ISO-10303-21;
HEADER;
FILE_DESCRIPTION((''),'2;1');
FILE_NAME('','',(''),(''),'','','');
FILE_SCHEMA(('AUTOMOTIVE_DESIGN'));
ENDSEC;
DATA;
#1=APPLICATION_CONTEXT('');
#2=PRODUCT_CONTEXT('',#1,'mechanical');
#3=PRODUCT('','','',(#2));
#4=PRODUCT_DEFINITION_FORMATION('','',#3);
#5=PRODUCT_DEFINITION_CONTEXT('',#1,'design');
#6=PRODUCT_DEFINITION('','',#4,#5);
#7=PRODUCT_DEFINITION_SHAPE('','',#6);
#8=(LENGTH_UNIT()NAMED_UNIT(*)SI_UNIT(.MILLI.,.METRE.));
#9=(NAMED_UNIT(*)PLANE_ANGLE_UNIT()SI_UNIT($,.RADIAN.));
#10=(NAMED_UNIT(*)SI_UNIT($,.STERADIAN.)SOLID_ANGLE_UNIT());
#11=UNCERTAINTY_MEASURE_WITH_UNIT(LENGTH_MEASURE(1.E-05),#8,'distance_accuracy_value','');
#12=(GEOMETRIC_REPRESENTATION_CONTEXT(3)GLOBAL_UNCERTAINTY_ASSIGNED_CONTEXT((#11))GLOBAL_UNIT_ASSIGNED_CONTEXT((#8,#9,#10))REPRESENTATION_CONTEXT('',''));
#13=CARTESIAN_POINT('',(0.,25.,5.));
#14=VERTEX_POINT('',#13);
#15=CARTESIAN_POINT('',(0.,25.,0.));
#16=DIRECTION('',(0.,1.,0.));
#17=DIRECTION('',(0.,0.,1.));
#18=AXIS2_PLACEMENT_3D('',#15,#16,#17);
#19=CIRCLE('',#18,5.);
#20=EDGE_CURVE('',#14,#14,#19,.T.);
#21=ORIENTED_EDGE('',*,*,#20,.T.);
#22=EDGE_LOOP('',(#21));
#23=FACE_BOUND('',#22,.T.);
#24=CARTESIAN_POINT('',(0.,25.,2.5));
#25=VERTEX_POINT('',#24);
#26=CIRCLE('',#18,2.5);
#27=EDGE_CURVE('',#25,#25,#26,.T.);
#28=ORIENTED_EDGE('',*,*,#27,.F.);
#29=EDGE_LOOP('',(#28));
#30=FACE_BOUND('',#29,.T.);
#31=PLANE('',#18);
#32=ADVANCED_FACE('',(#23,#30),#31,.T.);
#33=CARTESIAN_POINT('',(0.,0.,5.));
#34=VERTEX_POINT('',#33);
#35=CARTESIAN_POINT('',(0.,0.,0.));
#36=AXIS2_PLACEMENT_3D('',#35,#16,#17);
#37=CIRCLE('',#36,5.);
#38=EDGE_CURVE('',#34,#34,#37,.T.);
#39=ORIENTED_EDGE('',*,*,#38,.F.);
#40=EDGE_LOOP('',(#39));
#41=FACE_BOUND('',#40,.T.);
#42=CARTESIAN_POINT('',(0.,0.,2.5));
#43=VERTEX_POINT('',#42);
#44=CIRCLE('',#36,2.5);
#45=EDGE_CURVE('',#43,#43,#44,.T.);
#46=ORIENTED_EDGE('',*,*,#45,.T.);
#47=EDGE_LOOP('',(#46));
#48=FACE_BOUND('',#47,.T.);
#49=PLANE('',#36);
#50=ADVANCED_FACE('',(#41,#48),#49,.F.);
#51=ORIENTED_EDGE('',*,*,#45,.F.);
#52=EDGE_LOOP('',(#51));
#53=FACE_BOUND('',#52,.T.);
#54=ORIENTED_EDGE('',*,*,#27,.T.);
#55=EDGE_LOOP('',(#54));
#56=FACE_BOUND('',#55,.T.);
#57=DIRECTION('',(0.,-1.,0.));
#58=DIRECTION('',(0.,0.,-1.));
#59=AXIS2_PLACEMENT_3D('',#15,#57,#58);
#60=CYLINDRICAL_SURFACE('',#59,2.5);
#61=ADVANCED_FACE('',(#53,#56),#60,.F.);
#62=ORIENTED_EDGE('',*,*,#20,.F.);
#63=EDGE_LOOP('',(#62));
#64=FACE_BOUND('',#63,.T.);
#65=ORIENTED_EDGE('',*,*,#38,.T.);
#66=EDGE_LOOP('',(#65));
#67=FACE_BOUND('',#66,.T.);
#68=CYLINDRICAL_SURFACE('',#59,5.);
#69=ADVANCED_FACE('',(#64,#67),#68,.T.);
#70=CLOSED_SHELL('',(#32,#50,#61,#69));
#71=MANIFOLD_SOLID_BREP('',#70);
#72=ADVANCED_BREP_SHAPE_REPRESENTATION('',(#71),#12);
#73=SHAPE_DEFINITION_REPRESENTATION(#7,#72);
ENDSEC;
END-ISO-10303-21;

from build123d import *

# Parameters (mm, degrees)
SKIZZE1_R                       = 5
SKIZZE1_R_2                     = 2.5
AUFSATZ_LINEAR_AUSTRAGEN1_DEPTH = 25


with BuildPart() as part:
    # Skizze1 → Aufsatz-Linear austragen1 (new body)
    with BuildSketch(Plane(origin=(0, 0, 0), x_dir=(1, 0, 0), z_dir=(0, 1, 0))):
        Circle(SKIZZE1_R)
        Circle(SKIZZE1_R_2, mode=Mode.SUBTRACT)
    extrude(amount=AUFSATZ_LINEAR_AUSTRAGEN1_DEPTH)


solid = part.part
